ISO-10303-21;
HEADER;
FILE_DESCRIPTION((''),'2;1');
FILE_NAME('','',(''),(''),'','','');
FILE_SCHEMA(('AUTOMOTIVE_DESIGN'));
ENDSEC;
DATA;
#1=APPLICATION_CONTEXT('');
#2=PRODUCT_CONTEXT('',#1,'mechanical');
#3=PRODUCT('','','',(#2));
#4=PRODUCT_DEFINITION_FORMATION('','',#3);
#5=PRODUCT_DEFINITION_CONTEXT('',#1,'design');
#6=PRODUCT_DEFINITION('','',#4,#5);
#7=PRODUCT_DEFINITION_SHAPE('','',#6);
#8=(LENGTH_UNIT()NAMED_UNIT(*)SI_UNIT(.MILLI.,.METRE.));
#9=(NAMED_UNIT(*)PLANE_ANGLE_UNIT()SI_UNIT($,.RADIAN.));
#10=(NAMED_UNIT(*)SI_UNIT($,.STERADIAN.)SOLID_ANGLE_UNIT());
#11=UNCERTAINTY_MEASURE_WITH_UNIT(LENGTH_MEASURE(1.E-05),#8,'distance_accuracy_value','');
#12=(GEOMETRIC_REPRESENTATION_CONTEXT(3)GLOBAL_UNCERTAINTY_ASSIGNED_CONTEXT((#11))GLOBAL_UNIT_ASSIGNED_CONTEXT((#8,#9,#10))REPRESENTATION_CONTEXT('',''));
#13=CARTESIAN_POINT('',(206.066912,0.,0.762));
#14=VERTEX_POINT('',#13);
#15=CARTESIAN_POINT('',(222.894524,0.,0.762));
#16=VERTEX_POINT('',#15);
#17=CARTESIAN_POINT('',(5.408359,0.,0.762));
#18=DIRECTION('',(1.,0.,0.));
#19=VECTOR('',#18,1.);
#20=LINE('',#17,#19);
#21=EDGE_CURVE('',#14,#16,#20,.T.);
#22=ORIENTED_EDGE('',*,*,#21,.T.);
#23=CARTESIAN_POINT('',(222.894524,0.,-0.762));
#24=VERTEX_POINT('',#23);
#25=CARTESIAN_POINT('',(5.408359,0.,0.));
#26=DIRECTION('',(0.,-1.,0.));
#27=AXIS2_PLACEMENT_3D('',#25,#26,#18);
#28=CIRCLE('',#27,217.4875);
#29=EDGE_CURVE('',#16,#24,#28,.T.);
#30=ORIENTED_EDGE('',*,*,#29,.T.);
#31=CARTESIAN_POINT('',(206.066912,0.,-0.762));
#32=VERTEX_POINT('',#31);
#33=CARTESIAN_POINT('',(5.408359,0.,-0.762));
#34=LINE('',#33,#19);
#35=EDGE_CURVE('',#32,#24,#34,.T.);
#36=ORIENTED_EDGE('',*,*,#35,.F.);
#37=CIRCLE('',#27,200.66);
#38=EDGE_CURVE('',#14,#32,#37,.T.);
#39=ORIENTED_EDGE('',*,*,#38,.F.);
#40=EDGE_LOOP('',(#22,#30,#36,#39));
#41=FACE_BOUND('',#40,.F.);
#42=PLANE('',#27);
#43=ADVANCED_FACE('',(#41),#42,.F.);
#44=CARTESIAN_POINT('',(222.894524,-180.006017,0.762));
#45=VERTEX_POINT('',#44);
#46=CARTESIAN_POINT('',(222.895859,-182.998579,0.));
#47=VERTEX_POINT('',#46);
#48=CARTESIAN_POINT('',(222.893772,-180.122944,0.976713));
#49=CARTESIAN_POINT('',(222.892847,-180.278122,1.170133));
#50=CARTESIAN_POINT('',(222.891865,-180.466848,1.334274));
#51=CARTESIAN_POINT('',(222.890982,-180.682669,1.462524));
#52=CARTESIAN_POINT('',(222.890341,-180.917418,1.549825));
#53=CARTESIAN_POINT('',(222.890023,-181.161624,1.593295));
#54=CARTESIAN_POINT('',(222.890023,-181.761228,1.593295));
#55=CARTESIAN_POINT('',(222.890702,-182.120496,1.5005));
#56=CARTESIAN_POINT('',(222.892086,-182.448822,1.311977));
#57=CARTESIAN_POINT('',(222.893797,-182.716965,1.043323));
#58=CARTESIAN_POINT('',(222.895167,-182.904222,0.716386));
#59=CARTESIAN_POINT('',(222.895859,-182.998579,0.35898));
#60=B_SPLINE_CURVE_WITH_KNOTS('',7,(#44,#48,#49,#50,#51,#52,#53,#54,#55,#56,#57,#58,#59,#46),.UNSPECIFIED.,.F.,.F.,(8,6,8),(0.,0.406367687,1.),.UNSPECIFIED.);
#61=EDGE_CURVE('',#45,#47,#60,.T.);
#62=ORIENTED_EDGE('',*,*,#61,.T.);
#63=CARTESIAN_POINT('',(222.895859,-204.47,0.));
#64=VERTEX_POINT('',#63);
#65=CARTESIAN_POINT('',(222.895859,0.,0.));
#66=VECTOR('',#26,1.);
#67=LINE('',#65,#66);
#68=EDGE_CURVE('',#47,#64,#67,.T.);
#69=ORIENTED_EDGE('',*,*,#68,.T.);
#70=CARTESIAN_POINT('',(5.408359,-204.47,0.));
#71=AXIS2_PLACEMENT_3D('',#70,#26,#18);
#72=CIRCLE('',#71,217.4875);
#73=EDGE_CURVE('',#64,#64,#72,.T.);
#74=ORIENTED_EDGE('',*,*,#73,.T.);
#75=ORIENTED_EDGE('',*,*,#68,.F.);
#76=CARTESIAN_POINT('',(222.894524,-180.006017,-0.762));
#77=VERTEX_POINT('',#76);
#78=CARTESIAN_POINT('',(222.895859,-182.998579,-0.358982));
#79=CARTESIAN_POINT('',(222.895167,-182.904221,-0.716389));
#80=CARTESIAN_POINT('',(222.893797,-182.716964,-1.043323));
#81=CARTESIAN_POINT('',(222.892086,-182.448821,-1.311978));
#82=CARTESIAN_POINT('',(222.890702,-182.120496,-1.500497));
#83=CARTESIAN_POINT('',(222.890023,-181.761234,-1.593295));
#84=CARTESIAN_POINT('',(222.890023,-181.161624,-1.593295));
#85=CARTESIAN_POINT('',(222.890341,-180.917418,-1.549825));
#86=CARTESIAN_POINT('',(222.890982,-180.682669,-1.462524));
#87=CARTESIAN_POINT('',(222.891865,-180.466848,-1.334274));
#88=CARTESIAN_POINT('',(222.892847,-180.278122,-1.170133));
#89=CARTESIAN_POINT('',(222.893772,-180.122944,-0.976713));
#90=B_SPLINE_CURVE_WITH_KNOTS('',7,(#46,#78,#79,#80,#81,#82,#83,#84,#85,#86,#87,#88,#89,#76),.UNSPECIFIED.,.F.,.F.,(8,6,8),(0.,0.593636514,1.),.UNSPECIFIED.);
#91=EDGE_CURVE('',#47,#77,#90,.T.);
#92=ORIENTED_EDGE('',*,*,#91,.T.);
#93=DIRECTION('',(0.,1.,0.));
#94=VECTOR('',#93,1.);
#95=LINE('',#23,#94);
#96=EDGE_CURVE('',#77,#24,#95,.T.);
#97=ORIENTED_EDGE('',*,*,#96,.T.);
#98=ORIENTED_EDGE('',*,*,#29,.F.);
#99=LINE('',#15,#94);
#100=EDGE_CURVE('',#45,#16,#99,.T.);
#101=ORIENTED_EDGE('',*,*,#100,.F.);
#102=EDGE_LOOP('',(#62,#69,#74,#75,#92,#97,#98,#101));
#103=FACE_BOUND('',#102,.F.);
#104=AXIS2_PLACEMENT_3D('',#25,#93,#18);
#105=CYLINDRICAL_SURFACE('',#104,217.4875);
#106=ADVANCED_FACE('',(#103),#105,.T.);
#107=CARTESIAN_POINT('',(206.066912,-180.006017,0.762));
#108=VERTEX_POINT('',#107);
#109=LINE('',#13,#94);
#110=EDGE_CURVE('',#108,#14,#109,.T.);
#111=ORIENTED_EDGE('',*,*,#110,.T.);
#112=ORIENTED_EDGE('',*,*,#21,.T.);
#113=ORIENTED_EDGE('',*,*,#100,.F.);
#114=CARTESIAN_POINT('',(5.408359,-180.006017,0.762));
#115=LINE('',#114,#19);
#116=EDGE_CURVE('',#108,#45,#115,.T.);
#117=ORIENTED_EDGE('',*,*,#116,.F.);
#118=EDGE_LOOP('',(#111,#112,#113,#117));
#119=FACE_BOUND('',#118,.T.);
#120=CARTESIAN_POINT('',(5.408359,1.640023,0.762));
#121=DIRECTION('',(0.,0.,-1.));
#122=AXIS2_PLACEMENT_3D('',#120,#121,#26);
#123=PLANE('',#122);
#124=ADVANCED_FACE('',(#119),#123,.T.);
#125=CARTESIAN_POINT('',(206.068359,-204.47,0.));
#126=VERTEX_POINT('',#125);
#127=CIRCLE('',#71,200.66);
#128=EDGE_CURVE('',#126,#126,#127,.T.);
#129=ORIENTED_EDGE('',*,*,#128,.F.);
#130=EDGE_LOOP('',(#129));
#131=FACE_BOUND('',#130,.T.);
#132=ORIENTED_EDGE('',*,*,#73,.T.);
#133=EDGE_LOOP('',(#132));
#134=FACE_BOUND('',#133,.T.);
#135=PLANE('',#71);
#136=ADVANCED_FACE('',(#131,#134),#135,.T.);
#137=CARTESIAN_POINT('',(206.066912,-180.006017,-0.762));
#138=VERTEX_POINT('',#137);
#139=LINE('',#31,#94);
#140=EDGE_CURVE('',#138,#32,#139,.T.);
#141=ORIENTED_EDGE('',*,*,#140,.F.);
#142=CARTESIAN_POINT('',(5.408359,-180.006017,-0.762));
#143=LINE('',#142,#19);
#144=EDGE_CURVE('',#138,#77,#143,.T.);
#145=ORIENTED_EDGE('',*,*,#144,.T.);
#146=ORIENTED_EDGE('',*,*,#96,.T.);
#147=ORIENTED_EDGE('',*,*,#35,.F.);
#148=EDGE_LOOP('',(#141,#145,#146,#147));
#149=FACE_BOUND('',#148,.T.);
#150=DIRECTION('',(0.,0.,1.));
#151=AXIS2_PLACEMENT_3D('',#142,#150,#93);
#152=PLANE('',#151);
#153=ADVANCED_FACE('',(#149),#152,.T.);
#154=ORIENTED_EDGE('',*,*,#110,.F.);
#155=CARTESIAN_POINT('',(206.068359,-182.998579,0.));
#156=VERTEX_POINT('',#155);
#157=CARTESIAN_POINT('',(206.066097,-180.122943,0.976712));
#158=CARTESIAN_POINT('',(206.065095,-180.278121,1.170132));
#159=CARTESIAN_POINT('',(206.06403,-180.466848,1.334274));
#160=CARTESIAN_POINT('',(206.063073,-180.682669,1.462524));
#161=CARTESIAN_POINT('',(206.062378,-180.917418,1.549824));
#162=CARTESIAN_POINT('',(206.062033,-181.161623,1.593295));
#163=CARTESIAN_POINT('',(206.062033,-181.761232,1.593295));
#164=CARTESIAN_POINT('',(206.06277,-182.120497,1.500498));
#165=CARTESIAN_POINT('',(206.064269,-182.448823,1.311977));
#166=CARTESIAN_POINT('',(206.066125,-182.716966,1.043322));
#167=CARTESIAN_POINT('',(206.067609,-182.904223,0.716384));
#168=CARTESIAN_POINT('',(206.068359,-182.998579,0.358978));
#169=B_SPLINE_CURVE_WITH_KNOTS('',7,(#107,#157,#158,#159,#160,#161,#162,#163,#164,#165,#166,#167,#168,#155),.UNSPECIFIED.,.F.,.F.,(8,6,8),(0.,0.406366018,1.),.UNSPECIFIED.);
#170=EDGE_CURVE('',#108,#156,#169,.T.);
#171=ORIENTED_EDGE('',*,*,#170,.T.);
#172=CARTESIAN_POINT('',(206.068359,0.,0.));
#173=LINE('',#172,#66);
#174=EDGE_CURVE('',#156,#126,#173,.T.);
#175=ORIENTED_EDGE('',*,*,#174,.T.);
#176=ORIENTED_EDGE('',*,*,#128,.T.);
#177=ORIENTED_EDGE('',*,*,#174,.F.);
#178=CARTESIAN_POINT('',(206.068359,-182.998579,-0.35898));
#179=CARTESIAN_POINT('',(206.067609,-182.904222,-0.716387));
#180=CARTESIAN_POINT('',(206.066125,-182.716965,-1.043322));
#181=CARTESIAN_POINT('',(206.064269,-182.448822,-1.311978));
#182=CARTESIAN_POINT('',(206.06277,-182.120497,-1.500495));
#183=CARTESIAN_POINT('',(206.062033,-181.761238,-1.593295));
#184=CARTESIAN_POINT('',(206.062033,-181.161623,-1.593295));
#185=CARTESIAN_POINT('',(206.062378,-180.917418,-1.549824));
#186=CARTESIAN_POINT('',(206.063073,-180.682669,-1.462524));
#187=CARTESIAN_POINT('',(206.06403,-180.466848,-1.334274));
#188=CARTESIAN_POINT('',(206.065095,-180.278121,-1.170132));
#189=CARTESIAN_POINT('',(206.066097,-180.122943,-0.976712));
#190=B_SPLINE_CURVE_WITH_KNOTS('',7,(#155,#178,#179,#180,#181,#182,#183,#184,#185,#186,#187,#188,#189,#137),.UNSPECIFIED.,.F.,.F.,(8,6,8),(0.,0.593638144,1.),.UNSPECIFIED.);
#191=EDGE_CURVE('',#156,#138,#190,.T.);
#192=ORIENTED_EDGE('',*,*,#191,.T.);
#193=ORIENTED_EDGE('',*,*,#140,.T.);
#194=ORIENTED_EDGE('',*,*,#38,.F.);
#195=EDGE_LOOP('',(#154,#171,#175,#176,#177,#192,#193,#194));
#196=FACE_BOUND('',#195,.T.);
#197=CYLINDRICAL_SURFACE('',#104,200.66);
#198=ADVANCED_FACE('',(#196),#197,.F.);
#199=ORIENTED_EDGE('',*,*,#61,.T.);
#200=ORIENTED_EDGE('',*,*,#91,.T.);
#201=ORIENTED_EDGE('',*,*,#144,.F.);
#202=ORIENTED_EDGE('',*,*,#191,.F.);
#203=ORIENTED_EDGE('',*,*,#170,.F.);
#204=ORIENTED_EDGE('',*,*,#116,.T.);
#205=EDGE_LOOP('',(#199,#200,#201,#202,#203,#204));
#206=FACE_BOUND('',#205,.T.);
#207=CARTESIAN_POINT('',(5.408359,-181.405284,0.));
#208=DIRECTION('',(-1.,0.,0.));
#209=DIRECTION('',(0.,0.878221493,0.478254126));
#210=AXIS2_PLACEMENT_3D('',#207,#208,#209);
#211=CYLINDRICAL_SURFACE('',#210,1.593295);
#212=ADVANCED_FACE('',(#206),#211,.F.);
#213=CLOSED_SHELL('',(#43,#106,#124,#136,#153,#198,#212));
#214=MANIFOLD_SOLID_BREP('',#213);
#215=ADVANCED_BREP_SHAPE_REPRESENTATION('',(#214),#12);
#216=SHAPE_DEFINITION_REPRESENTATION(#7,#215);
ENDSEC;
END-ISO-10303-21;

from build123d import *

# Parameters (mm, degrees)
F0_R     = 8.5625
F0_R_2   = 7.9
F1_DEPTH = 8.05
F3_DEPTH = 25
F5_SCALE = 25.4


with BuildPart() as f1:
    # F0 (on Front) → F1 (new body)
    with BuildSketch(Plane.XZ):
        Circle(F0_R)
        Circle(F0_R_2, mode=Mode.SUBTRACT)
    extrude(amount=F1_DEPTH)

    # F2 (on Right) → F3 (cut)
    with BuildSketch(Plane.YZ):
        with BuildLine():
            Line((0.064567852, 0.03), (0, 0.03))
            Line((0, 0.03), (-7.0868510798, 0.03))
            ThreePointArc((-7.0868510798, 0.03), (-7.204668453, 0), (-7.0868510798, -0.03))
            Line((-7.0868510798, -0.03), (0, -0.03))
            Line((0, -0.03), (0.064567852, -0.0370406015))
            Line((0.064567852, -0.0370406015), (0.064567852, 0.03))
        make_face()
    extrude(amount=F3_DEPTH, mode=Mode.SUBTRACT)


with BuildPart() as f1_1:
    # F5: moved
    add(f1.part.scale(F5_SCALE).moved(Location((5.408359057, 0, 0))))


solid = f1_1.part
